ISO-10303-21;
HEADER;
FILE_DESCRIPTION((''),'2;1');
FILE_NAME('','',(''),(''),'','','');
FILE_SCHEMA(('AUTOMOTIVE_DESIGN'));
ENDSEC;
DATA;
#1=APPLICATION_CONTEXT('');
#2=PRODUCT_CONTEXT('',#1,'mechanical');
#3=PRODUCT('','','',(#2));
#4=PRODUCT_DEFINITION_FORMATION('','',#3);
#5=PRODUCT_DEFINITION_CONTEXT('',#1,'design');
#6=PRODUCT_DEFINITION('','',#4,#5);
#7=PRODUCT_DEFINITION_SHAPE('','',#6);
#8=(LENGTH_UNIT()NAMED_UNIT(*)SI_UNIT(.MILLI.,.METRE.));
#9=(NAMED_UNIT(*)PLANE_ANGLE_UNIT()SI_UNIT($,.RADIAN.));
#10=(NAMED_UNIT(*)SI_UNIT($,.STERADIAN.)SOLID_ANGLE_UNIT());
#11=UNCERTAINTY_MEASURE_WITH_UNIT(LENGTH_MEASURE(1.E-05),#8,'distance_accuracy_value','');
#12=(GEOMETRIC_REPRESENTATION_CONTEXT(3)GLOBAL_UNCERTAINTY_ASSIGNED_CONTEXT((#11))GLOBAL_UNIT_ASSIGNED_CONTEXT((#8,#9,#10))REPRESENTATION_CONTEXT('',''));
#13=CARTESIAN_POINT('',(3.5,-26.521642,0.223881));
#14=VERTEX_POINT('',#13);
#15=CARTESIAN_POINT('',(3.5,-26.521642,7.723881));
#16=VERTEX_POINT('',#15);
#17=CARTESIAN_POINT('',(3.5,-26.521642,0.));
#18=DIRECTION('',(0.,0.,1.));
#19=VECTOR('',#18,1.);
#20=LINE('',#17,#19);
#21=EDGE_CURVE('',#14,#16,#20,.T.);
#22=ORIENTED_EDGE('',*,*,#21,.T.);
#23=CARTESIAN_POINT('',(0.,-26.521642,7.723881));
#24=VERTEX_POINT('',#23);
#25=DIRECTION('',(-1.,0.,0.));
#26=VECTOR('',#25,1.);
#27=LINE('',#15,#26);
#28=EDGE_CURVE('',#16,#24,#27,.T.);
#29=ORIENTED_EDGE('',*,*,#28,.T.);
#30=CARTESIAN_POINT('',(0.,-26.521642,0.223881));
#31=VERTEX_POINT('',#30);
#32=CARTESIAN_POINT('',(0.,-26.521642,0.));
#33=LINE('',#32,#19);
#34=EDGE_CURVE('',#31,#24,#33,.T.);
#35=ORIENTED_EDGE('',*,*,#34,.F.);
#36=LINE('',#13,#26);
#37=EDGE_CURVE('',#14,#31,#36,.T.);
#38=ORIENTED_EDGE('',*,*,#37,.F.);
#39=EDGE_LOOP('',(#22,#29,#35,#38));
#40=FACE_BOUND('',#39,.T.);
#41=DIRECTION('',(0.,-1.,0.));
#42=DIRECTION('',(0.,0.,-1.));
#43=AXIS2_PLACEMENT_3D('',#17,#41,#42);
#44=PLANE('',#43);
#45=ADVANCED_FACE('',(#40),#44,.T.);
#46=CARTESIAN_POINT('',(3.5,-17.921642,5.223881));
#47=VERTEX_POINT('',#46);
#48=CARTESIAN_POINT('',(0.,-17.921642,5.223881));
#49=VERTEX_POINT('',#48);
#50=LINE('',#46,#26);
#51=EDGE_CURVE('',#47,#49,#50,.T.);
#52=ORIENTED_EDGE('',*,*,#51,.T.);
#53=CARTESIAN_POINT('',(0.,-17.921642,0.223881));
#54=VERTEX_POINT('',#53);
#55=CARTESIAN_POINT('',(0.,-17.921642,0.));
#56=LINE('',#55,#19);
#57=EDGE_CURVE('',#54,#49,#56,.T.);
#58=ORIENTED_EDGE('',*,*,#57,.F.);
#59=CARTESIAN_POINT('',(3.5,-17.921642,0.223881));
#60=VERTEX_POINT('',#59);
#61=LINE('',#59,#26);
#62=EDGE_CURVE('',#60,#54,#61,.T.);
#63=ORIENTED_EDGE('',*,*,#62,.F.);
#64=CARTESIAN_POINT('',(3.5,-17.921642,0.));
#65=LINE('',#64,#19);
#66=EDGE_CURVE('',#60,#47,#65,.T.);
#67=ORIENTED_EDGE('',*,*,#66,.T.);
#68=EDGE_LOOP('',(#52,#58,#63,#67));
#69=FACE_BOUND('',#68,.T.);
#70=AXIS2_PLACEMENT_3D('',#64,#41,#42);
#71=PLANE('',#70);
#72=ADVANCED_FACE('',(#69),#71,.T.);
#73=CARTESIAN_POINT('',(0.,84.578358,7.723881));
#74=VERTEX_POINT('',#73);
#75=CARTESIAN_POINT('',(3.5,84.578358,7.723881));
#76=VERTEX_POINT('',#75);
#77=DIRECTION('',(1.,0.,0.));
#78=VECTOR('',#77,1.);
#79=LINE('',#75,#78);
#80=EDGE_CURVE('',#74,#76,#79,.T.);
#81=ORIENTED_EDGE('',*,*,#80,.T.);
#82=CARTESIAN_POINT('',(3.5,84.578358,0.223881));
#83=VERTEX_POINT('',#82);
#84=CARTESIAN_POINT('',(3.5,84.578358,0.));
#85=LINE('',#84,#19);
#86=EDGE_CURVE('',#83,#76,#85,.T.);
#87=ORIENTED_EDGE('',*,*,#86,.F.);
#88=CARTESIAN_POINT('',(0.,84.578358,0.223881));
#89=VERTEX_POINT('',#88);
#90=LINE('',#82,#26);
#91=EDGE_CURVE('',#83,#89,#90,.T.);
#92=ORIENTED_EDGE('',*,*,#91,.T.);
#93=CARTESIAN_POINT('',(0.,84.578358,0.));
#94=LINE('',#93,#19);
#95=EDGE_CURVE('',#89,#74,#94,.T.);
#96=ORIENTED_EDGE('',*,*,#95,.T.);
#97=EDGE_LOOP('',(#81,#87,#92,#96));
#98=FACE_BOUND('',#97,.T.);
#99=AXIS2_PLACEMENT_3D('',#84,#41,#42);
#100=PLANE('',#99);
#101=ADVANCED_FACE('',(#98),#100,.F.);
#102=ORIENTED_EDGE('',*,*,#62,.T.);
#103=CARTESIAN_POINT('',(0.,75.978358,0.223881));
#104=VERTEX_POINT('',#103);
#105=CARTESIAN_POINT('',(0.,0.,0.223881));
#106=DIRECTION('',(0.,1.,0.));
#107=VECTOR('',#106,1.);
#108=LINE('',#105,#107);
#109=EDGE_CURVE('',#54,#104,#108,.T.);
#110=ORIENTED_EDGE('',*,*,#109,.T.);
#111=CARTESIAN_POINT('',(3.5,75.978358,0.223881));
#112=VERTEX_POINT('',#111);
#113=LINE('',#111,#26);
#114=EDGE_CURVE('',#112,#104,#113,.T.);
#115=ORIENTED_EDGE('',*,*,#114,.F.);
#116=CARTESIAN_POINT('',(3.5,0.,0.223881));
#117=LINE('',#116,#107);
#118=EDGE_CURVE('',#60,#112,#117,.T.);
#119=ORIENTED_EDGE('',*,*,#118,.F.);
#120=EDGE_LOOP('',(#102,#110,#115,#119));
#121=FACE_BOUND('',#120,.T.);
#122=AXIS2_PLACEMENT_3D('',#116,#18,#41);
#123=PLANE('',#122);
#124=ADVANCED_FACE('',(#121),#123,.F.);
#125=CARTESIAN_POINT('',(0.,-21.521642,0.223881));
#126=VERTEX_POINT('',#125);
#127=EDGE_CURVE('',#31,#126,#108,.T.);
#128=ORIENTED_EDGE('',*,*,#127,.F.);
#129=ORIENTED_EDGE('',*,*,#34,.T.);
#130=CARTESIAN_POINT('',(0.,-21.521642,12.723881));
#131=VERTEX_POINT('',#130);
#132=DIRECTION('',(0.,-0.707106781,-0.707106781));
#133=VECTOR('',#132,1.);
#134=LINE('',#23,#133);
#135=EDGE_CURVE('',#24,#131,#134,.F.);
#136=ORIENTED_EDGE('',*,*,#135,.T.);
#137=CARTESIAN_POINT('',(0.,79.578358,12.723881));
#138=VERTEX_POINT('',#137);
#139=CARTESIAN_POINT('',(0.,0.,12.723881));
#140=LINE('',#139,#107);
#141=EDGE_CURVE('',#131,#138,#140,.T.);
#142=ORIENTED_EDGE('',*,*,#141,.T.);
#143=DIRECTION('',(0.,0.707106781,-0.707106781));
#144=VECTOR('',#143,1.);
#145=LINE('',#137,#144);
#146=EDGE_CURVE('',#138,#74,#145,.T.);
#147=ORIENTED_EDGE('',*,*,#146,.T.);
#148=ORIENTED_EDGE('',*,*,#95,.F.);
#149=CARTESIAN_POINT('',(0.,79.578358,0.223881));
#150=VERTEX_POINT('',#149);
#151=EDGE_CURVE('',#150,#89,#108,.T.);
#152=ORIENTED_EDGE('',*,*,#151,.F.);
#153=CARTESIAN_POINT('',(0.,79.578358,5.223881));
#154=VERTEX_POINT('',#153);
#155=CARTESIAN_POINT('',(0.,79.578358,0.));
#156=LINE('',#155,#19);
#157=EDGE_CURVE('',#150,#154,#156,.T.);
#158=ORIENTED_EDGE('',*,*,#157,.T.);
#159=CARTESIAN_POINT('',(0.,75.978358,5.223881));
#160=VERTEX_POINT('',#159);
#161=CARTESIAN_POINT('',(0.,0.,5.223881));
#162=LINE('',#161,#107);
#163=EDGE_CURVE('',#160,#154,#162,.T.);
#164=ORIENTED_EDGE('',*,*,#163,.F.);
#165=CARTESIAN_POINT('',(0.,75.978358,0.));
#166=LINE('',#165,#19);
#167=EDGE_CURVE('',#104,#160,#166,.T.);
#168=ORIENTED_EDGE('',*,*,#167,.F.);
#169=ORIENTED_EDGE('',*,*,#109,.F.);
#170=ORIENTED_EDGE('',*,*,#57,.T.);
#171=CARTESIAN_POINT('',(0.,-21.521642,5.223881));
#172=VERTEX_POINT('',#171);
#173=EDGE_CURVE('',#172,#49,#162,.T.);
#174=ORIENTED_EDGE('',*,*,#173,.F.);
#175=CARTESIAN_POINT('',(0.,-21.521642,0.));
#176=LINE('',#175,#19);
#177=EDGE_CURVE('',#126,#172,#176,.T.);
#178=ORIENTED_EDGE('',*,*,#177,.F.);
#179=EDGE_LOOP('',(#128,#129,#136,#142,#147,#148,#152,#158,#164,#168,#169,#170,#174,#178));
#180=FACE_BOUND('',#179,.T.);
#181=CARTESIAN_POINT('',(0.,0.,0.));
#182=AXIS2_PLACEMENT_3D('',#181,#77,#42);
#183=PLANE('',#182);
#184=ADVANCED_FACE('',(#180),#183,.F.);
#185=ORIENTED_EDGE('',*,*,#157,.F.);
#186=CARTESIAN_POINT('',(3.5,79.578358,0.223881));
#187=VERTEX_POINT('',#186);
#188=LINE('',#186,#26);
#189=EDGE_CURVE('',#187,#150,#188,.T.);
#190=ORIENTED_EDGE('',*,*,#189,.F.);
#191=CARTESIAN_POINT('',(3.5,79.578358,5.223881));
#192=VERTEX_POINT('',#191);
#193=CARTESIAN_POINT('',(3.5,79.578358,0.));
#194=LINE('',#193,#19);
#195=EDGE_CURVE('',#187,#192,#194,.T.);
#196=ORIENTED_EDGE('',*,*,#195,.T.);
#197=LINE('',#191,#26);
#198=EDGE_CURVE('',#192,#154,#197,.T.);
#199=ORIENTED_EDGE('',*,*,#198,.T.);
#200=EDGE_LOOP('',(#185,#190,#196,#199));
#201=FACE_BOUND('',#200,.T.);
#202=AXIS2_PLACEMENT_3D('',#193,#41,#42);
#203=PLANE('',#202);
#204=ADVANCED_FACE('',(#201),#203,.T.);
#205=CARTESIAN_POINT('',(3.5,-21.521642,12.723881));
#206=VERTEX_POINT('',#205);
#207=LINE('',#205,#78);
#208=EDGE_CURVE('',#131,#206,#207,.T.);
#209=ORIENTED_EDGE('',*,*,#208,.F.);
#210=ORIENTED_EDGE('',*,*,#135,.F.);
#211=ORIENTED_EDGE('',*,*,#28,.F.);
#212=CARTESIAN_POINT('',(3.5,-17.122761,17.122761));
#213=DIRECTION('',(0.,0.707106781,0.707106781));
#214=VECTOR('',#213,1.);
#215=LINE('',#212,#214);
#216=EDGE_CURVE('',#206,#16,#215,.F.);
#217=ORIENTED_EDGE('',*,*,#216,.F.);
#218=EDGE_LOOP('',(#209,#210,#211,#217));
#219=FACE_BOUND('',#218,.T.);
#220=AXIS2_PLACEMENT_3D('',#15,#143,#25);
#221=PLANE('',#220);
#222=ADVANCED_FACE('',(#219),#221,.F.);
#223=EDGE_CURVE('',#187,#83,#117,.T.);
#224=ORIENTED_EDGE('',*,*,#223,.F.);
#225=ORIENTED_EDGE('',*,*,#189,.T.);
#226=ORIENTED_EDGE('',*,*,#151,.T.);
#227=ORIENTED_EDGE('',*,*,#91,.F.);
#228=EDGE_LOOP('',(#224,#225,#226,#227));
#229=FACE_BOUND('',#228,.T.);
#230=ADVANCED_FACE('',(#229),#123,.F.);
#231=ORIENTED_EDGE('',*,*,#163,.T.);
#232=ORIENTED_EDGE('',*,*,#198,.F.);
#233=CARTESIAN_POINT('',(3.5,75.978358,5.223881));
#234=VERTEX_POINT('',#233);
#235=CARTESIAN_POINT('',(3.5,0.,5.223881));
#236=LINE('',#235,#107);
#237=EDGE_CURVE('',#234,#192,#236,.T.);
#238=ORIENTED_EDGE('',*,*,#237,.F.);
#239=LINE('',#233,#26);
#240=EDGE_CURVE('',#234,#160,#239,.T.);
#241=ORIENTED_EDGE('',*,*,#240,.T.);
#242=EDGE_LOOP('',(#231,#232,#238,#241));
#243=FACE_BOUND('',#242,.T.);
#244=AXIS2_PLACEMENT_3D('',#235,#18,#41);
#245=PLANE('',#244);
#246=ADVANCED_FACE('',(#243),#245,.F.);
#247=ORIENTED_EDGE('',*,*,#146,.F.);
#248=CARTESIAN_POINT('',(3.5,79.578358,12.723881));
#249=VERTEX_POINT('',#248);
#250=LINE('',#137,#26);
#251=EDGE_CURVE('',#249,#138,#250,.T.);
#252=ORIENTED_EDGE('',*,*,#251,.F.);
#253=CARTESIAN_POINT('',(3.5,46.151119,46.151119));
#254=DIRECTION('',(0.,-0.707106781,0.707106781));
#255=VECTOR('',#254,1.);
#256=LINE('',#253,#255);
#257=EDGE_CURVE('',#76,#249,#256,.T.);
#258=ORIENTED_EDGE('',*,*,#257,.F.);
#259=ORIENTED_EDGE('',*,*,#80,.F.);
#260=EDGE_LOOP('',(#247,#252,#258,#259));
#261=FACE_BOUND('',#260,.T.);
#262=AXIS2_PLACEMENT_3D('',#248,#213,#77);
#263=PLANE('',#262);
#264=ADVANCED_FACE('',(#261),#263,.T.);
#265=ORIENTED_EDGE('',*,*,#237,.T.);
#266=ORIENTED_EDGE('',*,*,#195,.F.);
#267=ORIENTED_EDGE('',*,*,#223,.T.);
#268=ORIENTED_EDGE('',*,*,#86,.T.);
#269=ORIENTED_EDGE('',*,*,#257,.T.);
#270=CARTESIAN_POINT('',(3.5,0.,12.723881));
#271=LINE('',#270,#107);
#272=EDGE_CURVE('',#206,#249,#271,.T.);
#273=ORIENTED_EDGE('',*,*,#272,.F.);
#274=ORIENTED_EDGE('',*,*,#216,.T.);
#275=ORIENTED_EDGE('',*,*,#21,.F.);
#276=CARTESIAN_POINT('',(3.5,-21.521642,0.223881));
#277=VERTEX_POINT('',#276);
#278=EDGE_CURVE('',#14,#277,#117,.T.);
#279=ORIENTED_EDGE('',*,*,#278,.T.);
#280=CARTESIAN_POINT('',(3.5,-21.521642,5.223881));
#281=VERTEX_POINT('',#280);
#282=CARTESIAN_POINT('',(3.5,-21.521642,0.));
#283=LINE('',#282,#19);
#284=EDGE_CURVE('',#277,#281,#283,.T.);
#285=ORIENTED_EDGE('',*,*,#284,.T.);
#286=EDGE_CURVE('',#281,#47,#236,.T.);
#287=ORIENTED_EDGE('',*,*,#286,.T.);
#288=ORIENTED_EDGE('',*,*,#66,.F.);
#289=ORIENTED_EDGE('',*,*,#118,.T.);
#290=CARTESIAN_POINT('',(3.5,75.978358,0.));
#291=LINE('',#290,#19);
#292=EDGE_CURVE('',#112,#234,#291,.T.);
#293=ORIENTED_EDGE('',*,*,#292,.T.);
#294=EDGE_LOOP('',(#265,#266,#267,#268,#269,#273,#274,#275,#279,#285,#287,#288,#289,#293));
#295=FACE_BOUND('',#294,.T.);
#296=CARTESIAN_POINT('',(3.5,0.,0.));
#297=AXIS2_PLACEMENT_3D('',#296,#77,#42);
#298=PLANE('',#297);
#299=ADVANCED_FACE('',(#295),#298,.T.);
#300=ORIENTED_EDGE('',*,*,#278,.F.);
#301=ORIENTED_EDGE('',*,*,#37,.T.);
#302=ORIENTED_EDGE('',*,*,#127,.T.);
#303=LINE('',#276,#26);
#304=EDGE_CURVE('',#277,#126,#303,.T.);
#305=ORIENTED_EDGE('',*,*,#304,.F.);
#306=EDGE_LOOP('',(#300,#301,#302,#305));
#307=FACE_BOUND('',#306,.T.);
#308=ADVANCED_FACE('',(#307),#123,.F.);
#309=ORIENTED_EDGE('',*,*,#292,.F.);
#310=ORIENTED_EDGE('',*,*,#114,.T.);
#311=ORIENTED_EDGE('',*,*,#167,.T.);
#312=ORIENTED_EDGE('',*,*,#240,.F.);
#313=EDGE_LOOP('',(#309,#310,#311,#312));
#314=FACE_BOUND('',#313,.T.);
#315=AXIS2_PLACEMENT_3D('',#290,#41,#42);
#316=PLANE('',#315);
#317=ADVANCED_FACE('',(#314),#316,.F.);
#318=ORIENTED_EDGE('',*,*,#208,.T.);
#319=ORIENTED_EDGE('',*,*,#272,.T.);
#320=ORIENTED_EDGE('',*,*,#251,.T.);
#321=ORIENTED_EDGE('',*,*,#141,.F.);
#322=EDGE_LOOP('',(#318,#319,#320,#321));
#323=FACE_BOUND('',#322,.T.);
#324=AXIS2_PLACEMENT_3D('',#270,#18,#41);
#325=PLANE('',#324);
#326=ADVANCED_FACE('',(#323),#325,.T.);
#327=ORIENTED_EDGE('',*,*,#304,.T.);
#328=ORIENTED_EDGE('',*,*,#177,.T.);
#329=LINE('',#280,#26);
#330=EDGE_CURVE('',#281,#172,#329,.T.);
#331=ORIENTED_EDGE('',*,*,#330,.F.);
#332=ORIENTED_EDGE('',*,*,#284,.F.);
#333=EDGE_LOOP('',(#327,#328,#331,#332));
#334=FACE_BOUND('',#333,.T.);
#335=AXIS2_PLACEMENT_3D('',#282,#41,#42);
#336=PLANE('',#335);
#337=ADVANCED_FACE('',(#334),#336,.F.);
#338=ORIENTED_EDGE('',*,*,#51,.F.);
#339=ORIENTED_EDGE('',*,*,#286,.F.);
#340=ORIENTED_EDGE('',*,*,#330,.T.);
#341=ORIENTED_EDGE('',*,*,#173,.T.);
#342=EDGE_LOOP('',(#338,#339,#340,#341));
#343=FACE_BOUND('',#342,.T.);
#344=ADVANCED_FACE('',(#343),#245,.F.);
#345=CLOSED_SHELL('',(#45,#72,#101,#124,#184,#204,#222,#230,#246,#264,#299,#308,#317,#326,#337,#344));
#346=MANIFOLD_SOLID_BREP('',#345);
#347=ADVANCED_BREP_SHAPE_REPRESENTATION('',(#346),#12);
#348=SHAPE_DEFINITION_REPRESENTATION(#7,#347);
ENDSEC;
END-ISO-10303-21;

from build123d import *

# Parameters (mm, degrees)
SKETCH1_W           = 46.95
SKETCH1_H           = 5
BOSS_EXTRUDE1_DEPTH = 3.5
CHAMFER1_SIZE       = 5


with BuildPart() as part:
    # Sketch1 → Boss-Extrude1 (new body)
    with BuildSketch(Plane.YZ):
        Polygon((-21.521641791, 5.223880597), (-17.921641791, 5.223880597), (29.028358209, 5.223880597), (75.978358209, 5.223880597), (79.578358209, 5.223880597), (79.578358209, 0.223880597), (84.578358209, 0.223880597), (84.578358209, 12.723880597), (-26.521641791, 12.723880597), (-26.521641791, 0.223880597), (-21.521641791, 0.223880597), align=None)
        with Locations((5.553358209, 2.723880597)):
            Rectangle(SKETCH1_W, SKETCH1_H)
        with Locations((52.503358209, 2.723880597)):
            Rectangle(SKETCH1_W, SKETCH1_H)
    extrude(amount=BOSS_EXTRUDE1_DEPTH)

    # Chamfer1
    chamfer1_edges = [part.edges().sort_by_distance(p)[0] for p in [
        (1.75, -26.521641791, 12.723880597),
        (1.75, 84.578358209, 12.723880597),
    ]]
    chamfer(chamfer1_edges, length=CHAMFER1_SIZE)


solid = part.part
